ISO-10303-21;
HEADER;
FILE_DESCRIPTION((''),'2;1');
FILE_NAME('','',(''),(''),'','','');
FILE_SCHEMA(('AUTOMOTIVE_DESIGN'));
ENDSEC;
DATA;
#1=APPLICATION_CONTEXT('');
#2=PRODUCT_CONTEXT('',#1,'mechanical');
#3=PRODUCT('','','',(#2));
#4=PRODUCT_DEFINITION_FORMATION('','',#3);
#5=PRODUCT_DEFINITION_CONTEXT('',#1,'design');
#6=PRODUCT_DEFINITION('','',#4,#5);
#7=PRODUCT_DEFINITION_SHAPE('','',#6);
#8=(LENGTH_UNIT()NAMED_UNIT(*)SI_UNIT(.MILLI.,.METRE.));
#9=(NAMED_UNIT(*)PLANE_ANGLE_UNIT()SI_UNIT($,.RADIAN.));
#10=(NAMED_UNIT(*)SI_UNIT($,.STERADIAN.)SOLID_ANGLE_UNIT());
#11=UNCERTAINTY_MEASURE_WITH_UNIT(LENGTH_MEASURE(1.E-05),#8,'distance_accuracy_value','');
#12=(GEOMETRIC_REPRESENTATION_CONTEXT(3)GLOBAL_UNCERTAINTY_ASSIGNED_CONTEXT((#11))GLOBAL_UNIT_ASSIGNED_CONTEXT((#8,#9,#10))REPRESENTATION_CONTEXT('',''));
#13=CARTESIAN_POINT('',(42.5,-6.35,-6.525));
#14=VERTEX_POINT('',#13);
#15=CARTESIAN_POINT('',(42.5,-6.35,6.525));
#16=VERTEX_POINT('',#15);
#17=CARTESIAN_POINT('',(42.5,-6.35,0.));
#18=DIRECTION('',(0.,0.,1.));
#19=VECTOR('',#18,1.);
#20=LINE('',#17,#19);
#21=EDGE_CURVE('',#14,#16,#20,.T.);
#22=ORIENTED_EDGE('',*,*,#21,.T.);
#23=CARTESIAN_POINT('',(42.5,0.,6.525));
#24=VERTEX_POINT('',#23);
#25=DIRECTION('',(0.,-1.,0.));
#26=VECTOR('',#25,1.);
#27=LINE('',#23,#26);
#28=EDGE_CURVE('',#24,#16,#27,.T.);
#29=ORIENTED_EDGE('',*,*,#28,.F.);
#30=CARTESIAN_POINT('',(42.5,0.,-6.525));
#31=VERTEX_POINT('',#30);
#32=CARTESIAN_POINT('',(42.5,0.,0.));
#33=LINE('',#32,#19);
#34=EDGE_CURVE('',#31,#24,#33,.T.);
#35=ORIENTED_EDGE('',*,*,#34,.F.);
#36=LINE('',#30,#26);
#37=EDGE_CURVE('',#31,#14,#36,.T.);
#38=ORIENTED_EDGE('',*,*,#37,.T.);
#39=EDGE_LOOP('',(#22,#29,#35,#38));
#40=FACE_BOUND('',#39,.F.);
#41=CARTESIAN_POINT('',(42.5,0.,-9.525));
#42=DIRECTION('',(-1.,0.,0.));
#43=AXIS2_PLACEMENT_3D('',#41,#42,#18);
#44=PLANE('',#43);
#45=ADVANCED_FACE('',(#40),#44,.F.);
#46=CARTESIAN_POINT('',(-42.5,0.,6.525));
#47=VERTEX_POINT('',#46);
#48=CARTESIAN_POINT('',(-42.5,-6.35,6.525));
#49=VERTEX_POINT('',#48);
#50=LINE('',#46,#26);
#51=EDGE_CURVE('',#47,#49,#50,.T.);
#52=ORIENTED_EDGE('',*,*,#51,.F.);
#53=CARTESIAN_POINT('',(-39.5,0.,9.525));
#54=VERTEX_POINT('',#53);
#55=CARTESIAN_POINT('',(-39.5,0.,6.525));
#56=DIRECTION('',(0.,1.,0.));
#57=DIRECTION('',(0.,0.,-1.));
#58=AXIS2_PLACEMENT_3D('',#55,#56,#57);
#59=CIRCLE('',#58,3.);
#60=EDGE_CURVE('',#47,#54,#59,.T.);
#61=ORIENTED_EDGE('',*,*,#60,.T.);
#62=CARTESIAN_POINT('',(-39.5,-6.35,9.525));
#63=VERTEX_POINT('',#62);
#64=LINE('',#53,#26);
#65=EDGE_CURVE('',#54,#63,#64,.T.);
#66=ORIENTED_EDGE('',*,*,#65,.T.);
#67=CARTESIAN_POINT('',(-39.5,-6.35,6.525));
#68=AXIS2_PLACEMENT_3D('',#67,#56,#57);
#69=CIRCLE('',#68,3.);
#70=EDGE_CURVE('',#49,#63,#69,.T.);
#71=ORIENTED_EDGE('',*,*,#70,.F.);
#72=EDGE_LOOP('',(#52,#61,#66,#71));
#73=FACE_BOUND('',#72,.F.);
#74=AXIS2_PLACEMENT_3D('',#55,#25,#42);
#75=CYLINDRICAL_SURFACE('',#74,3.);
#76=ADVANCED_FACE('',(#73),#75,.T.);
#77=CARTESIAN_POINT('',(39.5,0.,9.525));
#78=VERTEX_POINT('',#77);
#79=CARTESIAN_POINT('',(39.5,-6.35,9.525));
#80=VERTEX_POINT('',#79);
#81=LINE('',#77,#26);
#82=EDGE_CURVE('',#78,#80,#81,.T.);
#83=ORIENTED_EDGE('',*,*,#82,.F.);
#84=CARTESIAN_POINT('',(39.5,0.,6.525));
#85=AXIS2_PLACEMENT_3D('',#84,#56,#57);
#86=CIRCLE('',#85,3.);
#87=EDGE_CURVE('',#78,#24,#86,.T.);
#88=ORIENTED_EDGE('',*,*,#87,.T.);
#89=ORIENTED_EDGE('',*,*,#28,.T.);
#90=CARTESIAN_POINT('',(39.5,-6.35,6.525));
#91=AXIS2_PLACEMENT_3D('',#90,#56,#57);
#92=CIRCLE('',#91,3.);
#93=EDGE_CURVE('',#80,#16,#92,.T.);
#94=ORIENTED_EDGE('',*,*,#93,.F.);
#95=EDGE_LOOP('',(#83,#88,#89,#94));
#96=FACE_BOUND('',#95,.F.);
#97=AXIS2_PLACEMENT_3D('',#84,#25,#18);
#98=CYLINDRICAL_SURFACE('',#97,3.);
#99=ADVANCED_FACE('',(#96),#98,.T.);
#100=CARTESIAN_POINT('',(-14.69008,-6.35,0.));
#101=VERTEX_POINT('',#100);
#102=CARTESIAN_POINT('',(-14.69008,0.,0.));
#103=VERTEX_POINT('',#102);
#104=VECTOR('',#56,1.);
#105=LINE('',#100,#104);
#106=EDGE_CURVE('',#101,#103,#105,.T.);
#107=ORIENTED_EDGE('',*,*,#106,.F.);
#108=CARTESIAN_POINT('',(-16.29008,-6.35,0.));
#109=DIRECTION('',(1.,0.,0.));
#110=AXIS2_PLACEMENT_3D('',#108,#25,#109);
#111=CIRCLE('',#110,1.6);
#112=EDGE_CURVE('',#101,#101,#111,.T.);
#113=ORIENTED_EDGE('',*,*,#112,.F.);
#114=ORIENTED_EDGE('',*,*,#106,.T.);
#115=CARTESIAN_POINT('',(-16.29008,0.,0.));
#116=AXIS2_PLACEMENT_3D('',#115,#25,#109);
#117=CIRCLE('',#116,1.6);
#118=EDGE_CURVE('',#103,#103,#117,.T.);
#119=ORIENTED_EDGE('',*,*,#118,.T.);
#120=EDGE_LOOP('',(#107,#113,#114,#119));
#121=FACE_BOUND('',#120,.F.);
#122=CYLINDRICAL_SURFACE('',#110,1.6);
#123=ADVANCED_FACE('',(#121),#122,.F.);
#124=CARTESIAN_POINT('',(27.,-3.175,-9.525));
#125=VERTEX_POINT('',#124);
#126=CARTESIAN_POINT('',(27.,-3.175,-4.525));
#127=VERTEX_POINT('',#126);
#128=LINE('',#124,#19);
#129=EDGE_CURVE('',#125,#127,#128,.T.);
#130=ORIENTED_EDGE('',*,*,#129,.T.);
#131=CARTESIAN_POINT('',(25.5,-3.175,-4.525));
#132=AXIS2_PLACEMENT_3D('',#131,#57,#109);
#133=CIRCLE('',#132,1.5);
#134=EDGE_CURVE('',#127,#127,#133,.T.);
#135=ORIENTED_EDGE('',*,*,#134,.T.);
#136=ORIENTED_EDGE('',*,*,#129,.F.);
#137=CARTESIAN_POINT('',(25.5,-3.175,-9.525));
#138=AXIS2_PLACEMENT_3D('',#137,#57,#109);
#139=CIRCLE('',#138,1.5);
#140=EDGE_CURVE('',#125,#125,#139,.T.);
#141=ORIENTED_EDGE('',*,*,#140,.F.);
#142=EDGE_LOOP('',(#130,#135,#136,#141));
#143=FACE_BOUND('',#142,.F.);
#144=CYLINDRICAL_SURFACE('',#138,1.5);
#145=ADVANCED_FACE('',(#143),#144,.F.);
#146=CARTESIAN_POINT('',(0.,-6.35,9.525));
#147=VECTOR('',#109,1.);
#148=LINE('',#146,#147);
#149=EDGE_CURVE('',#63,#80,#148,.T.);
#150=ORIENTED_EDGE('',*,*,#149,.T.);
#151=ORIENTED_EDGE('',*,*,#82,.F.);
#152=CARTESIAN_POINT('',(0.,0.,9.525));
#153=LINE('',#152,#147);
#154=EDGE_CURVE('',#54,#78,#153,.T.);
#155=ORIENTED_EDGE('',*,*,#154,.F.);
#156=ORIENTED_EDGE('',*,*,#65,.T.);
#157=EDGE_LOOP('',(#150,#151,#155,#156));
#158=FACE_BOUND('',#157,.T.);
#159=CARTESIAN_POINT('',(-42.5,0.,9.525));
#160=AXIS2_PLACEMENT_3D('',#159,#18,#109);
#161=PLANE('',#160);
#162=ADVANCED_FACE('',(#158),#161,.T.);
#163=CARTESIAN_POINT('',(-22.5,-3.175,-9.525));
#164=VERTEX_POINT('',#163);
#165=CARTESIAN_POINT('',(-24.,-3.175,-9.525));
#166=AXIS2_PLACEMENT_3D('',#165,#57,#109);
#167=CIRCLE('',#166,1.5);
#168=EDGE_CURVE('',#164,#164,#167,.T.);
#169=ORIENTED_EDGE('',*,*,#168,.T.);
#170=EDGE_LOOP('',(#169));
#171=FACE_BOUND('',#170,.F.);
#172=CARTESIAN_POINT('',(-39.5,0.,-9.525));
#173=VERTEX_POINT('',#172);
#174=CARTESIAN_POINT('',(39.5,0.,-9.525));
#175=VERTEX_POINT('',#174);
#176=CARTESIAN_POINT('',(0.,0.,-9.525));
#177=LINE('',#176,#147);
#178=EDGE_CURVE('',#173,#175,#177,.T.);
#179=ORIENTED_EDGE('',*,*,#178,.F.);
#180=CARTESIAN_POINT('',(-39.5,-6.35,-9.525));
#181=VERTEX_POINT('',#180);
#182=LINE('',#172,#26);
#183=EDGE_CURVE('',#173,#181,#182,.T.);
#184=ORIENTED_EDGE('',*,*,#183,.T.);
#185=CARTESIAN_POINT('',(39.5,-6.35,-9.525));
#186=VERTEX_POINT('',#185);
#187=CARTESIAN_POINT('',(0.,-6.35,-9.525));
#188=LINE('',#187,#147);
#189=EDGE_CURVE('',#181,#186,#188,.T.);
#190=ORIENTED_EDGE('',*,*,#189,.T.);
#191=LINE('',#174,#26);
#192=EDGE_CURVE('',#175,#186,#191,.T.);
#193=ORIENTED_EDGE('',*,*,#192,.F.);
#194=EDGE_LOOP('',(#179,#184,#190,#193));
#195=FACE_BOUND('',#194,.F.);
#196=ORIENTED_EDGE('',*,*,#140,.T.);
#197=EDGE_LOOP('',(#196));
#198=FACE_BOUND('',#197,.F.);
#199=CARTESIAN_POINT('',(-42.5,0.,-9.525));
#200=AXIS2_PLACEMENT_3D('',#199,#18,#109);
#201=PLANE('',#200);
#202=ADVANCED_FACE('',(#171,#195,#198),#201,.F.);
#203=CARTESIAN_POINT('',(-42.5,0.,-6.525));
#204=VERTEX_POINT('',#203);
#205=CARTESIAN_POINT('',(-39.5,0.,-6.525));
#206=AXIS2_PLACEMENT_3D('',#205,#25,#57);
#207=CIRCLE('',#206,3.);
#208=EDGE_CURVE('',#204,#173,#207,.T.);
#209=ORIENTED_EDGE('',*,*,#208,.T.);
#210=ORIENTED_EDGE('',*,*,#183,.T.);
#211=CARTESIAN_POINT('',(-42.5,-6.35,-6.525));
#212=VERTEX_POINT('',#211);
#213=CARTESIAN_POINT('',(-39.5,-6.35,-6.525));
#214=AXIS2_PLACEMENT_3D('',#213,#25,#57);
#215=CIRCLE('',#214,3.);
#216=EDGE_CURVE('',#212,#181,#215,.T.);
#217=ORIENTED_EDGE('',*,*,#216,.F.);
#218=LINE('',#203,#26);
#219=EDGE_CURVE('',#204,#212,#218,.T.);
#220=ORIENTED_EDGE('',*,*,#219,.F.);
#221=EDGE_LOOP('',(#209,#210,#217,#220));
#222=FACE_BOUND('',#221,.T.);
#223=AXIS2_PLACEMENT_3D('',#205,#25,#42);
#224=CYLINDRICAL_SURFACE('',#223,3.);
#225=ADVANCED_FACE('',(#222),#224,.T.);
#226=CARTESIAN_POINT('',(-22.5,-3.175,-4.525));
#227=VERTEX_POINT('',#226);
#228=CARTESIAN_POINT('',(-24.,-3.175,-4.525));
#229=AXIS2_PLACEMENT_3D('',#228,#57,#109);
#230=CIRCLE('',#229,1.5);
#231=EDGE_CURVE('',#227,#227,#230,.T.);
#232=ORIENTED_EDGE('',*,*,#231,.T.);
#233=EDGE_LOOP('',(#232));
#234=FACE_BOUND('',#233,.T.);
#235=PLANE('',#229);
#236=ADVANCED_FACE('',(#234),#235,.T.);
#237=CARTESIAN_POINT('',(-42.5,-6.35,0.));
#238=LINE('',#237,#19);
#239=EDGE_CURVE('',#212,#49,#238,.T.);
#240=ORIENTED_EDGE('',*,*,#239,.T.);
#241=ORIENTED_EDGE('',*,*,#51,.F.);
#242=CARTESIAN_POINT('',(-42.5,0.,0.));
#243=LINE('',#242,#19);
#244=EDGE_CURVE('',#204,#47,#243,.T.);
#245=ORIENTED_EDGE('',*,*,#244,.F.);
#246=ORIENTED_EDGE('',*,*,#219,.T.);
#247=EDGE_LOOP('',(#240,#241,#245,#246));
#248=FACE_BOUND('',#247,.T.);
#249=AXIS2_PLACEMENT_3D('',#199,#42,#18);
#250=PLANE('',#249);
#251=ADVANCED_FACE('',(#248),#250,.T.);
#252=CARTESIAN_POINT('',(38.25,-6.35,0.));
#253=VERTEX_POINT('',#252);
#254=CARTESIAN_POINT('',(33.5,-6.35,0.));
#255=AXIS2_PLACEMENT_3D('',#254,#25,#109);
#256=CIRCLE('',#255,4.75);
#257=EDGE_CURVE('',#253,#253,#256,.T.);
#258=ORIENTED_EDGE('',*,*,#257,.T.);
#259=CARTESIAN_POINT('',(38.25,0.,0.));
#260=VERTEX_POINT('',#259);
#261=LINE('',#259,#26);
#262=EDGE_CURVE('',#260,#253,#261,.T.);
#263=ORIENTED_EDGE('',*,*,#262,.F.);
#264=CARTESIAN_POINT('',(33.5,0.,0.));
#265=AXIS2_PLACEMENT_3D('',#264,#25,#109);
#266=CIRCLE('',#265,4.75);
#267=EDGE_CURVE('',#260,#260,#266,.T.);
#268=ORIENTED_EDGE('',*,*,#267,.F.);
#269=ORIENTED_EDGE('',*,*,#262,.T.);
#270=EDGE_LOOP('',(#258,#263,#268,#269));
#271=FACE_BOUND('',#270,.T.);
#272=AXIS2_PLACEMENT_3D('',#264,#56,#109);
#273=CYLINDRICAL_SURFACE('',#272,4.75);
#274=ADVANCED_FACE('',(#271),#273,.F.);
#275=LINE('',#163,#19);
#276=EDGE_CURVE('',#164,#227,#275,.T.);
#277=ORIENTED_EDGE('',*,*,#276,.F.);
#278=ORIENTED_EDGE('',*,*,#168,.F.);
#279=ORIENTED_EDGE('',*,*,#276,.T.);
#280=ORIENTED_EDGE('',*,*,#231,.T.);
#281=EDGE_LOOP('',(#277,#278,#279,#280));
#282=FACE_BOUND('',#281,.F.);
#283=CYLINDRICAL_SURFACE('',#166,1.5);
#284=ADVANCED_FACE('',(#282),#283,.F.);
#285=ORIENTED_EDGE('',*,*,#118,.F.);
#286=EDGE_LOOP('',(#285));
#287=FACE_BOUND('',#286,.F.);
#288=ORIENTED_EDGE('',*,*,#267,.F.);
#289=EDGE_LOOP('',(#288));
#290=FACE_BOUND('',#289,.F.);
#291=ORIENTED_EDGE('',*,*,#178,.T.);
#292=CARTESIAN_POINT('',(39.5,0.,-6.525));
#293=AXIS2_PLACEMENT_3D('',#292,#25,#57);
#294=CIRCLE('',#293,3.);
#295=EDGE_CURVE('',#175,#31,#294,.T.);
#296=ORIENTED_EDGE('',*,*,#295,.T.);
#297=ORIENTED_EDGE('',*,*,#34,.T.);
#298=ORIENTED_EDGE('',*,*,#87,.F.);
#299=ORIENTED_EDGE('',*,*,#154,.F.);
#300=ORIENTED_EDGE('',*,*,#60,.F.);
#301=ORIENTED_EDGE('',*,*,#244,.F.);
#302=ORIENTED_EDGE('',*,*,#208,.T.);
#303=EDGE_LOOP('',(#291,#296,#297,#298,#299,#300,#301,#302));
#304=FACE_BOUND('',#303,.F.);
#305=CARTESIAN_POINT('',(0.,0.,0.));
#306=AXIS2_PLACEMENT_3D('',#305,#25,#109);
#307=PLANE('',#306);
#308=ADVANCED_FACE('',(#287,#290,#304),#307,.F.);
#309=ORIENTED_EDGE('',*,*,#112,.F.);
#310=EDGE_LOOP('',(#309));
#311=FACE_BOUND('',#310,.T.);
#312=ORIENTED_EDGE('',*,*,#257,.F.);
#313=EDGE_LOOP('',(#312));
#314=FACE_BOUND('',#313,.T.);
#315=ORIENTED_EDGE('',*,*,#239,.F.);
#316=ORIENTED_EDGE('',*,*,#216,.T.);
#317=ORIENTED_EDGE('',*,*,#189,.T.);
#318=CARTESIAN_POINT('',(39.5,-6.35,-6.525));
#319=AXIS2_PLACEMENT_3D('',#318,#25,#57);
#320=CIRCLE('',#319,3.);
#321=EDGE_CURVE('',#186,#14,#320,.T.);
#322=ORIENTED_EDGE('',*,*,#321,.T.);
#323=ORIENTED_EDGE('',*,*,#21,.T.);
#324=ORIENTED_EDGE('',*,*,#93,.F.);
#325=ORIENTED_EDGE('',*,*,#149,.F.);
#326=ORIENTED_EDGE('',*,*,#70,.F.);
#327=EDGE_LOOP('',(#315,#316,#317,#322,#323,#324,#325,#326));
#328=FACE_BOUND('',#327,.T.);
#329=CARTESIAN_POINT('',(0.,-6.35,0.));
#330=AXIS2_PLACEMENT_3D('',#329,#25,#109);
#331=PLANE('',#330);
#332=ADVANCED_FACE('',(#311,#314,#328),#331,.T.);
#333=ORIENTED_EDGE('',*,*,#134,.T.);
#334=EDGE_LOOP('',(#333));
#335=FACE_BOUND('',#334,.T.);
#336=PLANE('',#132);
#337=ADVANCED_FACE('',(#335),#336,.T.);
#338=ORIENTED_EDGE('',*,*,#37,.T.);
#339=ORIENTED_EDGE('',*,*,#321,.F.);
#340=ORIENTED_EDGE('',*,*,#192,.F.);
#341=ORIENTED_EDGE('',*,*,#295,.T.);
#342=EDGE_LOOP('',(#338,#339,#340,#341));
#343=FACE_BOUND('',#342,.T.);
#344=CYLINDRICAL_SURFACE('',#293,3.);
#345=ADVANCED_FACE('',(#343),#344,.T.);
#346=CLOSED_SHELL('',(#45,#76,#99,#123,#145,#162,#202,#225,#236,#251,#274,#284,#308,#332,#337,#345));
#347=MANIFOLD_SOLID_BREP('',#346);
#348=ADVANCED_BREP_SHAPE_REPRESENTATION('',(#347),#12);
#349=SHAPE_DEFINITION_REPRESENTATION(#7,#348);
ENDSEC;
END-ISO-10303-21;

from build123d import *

# Parameters (mm, degrees)
F0_W     = 85
F0_H     = 19.05
F1_DEPTH = 6.35
F2_R     = 4.75
F3_DEPTH = 6.35
F4_R     = 1.5
F5_DEPTH = 5
F6_R     = 1.5
F7_DEPTH = 5
F8_R     = 1.6
F9_DEPTH = 6.35
F10_R    = 3


with BuildPart() as f1:
    # F0 (on Front) → F1 (new body)
    with BuildSketch(Plane.XZ):
        Rectangle(F0_W, F0_H)
    extrude(amount=F1_DEPTH)

    # F2 (on Front) → F3 (cut)
    with BuildSketch(Plane.XZ):
        with Locations((33.5, 0)):
            Circle(F2_R)
    extrude(amount=F3_DEPTH, mode=Mode.SUBTRACT)

    # F4 (on face) → F5 (cut)
    with BuildSketch(Plane(origin=(0, 0, -9.525), x_dir=(1, 0, 0), z_dir=(0, 0, -1))):
        with Locations((25.5, 3.175)):
            Circle(F4_R)
    extrude(amount=-F5_DEPTH, mode=Mode.SUBTRACT)

    # F6 (on face) → F7 (cut)
    with BuildSketch(Plane(origin=(0, 0, -9.525), x_dir=(1, 0, 0), z_dir=(0, 0, -1))):
        with Locations((-24, 3.175)):
            Circle(F6_R)
    extrude(amount=-F7_DEPTH, mode=Mode.SUBTRACT)

    # F8 (on face) → F9 (cut)
    with BuildSketch(Plane.XZ.offset(6.35)):
        with Locations((-16.29008, 0)):
            Circle(F8_R)
    extrude(amount=-F9_DEPTH, mode=Mode.SUBTRACT)

    # F10
    f10_edges = [f1.edges().sort_by_distance(p)[0] for p in [
        (-42.5, -3.175, 9.525),
        (-42.5, -3.175, -9.525),
        (42.5, -3.175, 9.525),
        (42.5, -3.175, -9.525),
    ]]
    fillet(f10_edges, radius=F10_R)


solid = f1.part
